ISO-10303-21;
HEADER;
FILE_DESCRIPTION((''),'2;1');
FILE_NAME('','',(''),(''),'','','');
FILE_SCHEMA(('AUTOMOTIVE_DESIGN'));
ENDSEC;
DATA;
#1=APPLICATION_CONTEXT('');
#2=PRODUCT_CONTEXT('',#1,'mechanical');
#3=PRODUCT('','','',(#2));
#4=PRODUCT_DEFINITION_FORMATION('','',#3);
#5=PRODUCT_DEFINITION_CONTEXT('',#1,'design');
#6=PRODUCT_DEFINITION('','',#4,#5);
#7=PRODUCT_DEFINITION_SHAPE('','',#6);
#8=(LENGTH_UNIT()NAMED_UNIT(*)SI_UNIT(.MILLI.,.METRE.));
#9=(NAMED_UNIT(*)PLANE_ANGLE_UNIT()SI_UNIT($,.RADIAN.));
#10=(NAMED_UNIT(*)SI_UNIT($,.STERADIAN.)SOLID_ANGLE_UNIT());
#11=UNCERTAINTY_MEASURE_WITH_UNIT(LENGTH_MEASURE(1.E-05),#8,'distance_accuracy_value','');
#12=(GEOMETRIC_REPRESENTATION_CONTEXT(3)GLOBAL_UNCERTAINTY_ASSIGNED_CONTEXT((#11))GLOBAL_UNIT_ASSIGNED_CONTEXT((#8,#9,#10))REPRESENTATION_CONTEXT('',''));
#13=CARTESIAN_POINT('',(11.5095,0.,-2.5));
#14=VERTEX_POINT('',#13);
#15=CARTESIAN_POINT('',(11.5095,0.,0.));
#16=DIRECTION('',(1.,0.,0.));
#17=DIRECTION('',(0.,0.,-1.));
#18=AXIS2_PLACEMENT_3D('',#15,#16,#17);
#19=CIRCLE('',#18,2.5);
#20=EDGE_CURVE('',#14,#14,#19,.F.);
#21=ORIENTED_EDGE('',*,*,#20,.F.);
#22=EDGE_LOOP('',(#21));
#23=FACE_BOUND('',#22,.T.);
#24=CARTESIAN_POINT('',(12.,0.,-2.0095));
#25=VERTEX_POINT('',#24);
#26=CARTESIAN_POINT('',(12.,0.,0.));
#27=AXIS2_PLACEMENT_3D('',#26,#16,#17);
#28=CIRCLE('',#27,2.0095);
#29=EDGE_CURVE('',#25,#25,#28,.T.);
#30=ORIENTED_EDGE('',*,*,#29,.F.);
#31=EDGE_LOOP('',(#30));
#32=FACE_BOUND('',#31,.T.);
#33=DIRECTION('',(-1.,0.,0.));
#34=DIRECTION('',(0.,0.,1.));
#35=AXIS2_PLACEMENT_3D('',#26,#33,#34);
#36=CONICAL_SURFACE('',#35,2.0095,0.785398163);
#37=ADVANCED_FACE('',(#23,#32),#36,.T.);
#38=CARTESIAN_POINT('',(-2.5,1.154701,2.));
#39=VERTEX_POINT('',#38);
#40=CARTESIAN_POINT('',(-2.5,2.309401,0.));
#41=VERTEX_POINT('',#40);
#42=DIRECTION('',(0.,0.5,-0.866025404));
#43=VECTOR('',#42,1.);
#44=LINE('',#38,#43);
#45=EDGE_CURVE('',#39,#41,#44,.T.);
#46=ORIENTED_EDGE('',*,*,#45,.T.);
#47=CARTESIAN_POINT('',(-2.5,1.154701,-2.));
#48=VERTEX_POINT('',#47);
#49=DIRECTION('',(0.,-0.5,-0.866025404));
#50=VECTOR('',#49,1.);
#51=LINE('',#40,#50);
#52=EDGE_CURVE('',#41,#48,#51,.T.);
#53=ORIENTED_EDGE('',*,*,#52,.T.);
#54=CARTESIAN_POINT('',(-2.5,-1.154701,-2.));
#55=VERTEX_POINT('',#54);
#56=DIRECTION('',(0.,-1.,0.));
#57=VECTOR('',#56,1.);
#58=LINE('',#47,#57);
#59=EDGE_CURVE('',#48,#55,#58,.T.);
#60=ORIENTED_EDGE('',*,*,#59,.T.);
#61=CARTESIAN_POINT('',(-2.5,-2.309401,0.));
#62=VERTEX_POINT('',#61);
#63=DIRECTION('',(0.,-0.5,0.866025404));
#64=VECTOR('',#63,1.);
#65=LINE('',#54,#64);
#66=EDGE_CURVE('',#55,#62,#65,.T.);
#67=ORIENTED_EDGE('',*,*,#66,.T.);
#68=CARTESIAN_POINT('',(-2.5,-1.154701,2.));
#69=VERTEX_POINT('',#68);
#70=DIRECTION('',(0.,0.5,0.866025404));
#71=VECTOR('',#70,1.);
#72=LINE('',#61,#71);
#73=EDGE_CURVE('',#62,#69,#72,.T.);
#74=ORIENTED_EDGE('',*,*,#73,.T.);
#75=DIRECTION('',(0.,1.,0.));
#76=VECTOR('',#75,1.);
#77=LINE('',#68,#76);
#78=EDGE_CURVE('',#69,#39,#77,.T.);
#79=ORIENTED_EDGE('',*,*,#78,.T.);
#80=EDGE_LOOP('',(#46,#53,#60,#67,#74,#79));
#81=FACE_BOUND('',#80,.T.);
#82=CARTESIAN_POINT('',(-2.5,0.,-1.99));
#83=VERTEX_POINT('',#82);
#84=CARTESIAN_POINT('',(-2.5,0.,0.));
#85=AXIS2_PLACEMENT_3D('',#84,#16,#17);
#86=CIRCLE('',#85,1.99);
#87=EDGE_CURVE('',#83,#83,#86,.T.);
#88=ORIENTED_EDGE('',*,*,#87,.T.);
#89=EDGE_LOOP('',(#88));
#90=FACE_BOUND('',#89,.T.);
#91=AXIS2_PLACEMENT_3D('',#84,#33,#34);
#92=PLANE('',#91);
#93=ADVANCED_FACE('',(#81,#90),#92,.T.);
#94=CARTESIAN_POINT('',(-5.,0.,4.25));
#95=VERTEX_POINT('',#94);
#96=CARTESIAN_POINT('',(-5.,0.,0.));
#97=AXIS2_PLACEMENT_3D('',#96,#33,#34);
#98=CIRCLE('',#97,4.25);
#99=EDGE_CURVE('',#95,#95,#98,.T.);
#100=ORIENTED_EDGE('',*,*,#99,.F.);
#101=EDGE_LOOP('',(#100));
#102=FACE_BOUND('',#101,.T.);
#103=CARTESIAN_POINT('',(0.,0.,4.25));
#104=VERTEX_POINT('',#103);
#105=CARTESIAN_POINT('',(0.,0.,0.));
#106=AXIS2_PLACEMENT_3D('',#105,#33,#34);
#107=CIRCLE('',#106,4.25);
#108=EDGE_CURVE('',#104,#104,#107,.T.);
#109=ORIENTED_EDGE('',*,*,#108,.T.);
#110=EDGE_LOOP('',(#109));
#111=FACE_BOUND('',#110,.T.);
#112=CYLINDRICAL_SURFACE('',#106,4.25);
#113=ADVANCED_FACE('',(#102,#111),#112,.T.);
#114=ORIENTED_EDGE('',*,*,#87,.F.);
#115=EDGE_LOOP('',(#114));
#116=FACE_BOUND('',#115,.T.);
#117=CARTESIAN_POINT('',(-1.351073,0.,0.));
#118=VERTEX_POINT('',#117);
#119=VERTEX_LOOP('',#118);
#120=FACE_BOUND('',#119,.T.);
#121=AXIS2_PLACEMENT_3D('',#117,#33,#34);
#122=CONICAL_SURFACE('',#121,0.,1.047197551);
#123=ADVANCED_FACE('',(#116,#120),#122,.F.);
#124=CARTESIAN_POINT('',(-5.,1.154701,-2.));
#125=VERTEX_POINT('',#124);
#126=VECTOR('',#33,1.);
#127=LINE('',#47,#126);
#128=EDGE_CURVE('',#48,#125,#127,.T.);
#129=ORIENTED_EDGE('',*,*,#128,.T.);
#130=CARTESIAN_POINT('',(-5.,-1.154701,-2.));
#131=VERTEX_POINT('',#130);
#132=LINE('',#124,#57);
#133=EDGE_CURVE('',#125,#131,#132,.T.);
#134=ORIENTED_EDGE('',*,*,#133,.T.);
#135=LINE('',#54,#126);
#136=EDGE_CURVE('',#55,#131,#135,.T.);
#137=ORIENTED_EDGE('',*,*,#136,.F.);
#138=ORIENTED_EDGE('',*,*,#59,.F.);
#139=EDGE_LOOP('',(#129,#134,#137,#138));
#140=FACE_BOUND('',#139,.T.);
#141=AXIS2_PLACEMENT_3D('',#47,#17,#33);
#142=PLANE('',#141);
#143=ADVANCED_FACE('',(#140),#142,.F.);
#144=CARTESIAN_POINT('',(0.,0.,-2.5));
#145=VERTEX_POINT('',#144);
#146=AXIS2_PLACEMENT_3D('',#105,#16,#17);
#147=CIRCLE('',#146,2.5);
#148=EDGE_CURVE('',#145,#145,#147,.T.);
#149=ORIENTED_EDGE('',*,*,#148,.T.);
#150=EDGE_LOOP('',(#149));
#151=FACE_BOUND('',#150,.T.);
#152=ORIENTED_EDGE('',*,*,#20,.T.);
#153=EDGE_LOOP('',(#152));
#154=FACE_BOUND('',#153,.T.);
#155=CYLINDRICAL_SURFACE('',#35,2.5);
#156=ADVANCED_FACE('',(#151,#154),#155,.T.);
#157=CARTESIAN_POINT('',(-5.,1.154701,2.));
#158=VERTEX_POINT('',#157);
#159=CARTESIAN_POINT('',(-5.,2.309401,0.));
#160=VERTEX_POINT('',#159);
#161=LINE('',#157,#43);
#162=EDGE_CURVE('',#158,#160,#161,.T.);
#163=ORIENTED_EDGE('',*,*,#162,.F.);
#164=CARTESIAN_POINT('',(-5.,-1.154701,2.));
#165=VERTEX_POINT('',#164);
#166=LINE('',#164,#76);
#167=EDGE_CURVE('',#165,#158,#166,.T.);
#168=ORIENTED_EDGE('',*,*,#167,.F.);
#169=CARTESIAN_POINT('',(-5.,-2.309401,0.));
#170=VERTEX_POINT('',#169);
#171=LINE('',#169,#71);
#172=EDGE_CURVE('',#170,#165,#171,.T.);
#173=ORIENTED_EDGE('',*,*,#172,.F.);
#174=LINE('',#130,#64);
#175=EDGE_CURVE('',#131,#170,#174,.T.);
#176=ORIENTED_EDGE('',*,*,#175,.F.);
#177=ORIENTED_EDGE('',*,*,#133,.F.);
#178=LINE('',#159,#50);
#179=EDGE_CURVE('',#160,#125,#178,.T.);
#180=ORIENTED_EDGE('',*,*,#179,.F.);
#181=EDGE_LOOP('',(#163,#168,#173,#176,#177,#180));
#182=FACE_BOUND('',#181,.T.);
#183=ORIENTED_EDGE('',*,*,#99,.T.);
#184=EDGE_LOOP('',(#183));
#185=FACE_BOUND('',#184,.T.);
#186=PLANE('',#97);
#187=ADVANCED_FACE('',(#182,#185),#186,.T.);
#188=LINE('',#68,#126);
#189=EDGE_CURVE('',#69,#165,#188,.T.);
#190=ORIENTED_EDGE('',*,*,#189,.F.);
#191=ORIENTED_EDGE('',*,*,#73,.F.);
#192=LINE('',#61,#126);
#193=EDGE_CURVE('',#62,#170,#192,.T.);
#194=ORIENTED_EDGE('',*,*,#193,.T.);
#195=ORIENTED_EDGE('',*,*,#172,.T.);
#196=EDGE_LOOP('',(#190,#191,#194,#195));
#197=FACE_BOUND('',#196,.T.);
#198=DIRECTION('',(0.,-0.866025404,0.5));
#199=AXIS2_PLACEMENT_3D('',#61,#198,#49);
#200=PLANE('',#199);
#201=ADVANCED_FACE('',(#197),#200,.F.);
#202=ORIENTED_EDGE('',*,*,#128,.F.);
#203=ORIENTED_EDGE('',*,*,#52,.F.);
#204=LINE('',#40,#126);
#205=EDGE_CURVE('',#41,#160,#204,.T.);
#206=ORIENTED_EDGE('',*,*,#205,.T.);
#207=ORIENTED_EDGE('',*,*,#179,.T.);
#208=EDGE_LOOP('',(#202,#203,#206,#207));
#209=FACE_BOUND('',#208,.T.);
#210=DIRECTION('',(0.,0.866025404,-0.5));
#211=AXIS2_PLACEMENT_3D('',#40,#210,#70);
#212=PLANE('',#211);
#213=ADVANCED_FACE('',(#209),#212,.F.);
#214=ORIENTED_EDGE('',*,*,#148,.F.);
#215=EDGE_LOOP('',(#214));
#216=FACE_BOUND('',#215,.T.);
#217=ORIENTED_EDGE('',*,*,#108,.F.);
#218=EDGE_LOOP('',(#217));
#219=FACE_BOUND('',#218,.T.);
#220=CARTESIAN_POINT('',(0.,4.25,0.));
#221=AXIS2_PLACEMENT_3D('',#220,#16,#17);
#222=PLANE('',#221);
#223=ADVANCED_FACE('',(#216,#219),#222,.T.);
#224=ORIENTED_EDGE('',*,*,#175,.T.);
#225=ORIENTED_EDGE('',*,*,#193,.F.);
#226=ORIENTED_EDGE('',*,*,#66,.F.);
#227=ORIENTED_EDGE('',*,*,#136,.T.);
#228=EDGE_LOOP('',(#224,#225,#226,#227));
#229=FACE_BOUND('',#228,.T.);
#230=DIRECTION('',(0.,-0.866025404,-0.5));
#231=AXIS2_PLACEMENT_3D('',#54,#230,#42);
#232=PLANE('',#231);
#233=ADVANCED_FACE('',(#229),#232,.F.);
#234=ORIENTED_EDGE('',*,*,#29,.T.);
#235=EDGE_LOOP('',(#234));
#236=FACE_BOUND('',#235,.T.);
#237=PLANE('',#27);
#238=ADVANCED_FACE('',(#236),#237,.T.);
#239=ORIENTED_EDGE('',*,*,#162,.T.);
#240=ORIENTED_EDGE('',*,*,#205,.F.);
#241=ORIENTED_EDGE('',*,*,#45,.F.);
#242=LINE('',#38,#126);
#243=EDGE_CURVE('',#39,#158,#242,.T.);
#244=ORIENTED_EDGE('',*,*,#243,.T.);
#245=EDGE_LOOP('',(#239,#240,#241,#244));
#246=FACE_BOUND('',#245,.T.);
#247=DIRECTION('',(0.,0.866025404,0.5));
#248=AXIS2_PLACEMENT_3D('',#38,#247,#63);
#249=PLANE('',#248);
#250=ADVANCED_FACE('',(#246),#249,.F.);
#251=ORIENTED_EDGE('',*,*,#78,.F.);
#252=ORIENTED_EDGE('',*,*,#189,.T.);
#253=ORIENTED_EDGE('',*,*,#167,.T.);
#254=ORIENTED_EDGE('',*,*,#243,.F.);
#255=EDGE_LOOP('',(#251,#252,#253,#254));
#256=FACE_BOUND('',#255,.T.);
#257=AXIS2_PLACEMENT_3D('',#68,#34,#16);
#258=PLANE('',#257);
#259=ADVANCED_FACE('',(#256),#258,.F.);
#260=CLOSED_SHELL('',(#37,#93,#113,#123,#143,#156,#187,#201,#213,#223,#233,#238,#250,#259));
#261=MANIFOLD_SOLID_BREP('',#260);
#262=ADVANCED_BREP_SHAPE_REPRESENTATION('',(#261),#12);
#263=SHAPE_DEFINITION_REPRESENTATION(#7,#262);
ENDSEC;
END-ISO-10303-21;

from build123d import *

# Parameters (mm, degrees)
SKETCH1_W           = 5
SKETCH1_H           = 4.25
SKETCH2_R           = 2.5
BOSS_EXTRUDE1_DEPTH = 12
CUT_EXTRUDE1_DEPTH  = 2.5
CHAMFER1_SIZE       = 0.4905


with BuildPart() as part:
    # Sketch1 → Revolve1 (revolve)
    with BuildSketch(Plane(origin=(0, 0, 0), x_dir=(-1, 0, 0), z_dir=(0, 0, -1)), mode=Mode.PRIVATE) as revolve1_sk:
        with Locations((2.5, 2.125)):
            Rectangle(SKETCH1_W, SKETCH1_H)
    revolve(revolve1_sk.sketch.rotate(Axis((0, 0, 0), (-1, 0, 0)), 270), axis=Axis((0, 0, 0), (-1, 0, 0)))

    # Sketch2 → Boss-Extrude1 (add)
    with BuildSketch(Plane(origin=(0, 0, 0), x_dir=(0, 0, -1), z_dir=(1, 0, 0))):
        Circle(SKETCH2_R)
    extrude(amount=BOSS_EXTRUDE1_DEPTH)

    # Sketch3 → Cut-Extrude1 (cut)
    with BuildSketch(Plane.ZY.offset(5)):
        Polygon((2, 1.154700538), (0, 2.309401077), (-2, 1.154700538), (-2, -1.154700538), (0, -2.309401077), (2, -1.154700538), align=None)
    extrude(amount=-CUT_EXTRUDE1_DEPTH, mode=Mode.SUBTRACT)

    # Sketch4 → Cut-Revolve1 (revolve, cut)
    with BuildSketch(Plane.XY, mode=Mode.PRIVATE) as cut_revolve1_sk:
        Polygon((-2.5, 1.99), (-2.5, 0), (-1.351072964, 0), align=None)
    revolve(cut_revolve1_sk.sketch.rotate(Axis((-2.500025, 0, 0), (1, 0, 0)), 90), axis=Axis((-2.500025, 0, 0), (1, 0, 0)), mode=Mode.SUBTRACT)

    # Chamfer1
    chamfer1_edges = [part.edges().sort_by_distance(p)[0] for p in [
        (12, 0, 2.5),
    ]]
    chamfer(chamfer1_edges, length=CHAMFER1_SIZE)


solid = part.part
